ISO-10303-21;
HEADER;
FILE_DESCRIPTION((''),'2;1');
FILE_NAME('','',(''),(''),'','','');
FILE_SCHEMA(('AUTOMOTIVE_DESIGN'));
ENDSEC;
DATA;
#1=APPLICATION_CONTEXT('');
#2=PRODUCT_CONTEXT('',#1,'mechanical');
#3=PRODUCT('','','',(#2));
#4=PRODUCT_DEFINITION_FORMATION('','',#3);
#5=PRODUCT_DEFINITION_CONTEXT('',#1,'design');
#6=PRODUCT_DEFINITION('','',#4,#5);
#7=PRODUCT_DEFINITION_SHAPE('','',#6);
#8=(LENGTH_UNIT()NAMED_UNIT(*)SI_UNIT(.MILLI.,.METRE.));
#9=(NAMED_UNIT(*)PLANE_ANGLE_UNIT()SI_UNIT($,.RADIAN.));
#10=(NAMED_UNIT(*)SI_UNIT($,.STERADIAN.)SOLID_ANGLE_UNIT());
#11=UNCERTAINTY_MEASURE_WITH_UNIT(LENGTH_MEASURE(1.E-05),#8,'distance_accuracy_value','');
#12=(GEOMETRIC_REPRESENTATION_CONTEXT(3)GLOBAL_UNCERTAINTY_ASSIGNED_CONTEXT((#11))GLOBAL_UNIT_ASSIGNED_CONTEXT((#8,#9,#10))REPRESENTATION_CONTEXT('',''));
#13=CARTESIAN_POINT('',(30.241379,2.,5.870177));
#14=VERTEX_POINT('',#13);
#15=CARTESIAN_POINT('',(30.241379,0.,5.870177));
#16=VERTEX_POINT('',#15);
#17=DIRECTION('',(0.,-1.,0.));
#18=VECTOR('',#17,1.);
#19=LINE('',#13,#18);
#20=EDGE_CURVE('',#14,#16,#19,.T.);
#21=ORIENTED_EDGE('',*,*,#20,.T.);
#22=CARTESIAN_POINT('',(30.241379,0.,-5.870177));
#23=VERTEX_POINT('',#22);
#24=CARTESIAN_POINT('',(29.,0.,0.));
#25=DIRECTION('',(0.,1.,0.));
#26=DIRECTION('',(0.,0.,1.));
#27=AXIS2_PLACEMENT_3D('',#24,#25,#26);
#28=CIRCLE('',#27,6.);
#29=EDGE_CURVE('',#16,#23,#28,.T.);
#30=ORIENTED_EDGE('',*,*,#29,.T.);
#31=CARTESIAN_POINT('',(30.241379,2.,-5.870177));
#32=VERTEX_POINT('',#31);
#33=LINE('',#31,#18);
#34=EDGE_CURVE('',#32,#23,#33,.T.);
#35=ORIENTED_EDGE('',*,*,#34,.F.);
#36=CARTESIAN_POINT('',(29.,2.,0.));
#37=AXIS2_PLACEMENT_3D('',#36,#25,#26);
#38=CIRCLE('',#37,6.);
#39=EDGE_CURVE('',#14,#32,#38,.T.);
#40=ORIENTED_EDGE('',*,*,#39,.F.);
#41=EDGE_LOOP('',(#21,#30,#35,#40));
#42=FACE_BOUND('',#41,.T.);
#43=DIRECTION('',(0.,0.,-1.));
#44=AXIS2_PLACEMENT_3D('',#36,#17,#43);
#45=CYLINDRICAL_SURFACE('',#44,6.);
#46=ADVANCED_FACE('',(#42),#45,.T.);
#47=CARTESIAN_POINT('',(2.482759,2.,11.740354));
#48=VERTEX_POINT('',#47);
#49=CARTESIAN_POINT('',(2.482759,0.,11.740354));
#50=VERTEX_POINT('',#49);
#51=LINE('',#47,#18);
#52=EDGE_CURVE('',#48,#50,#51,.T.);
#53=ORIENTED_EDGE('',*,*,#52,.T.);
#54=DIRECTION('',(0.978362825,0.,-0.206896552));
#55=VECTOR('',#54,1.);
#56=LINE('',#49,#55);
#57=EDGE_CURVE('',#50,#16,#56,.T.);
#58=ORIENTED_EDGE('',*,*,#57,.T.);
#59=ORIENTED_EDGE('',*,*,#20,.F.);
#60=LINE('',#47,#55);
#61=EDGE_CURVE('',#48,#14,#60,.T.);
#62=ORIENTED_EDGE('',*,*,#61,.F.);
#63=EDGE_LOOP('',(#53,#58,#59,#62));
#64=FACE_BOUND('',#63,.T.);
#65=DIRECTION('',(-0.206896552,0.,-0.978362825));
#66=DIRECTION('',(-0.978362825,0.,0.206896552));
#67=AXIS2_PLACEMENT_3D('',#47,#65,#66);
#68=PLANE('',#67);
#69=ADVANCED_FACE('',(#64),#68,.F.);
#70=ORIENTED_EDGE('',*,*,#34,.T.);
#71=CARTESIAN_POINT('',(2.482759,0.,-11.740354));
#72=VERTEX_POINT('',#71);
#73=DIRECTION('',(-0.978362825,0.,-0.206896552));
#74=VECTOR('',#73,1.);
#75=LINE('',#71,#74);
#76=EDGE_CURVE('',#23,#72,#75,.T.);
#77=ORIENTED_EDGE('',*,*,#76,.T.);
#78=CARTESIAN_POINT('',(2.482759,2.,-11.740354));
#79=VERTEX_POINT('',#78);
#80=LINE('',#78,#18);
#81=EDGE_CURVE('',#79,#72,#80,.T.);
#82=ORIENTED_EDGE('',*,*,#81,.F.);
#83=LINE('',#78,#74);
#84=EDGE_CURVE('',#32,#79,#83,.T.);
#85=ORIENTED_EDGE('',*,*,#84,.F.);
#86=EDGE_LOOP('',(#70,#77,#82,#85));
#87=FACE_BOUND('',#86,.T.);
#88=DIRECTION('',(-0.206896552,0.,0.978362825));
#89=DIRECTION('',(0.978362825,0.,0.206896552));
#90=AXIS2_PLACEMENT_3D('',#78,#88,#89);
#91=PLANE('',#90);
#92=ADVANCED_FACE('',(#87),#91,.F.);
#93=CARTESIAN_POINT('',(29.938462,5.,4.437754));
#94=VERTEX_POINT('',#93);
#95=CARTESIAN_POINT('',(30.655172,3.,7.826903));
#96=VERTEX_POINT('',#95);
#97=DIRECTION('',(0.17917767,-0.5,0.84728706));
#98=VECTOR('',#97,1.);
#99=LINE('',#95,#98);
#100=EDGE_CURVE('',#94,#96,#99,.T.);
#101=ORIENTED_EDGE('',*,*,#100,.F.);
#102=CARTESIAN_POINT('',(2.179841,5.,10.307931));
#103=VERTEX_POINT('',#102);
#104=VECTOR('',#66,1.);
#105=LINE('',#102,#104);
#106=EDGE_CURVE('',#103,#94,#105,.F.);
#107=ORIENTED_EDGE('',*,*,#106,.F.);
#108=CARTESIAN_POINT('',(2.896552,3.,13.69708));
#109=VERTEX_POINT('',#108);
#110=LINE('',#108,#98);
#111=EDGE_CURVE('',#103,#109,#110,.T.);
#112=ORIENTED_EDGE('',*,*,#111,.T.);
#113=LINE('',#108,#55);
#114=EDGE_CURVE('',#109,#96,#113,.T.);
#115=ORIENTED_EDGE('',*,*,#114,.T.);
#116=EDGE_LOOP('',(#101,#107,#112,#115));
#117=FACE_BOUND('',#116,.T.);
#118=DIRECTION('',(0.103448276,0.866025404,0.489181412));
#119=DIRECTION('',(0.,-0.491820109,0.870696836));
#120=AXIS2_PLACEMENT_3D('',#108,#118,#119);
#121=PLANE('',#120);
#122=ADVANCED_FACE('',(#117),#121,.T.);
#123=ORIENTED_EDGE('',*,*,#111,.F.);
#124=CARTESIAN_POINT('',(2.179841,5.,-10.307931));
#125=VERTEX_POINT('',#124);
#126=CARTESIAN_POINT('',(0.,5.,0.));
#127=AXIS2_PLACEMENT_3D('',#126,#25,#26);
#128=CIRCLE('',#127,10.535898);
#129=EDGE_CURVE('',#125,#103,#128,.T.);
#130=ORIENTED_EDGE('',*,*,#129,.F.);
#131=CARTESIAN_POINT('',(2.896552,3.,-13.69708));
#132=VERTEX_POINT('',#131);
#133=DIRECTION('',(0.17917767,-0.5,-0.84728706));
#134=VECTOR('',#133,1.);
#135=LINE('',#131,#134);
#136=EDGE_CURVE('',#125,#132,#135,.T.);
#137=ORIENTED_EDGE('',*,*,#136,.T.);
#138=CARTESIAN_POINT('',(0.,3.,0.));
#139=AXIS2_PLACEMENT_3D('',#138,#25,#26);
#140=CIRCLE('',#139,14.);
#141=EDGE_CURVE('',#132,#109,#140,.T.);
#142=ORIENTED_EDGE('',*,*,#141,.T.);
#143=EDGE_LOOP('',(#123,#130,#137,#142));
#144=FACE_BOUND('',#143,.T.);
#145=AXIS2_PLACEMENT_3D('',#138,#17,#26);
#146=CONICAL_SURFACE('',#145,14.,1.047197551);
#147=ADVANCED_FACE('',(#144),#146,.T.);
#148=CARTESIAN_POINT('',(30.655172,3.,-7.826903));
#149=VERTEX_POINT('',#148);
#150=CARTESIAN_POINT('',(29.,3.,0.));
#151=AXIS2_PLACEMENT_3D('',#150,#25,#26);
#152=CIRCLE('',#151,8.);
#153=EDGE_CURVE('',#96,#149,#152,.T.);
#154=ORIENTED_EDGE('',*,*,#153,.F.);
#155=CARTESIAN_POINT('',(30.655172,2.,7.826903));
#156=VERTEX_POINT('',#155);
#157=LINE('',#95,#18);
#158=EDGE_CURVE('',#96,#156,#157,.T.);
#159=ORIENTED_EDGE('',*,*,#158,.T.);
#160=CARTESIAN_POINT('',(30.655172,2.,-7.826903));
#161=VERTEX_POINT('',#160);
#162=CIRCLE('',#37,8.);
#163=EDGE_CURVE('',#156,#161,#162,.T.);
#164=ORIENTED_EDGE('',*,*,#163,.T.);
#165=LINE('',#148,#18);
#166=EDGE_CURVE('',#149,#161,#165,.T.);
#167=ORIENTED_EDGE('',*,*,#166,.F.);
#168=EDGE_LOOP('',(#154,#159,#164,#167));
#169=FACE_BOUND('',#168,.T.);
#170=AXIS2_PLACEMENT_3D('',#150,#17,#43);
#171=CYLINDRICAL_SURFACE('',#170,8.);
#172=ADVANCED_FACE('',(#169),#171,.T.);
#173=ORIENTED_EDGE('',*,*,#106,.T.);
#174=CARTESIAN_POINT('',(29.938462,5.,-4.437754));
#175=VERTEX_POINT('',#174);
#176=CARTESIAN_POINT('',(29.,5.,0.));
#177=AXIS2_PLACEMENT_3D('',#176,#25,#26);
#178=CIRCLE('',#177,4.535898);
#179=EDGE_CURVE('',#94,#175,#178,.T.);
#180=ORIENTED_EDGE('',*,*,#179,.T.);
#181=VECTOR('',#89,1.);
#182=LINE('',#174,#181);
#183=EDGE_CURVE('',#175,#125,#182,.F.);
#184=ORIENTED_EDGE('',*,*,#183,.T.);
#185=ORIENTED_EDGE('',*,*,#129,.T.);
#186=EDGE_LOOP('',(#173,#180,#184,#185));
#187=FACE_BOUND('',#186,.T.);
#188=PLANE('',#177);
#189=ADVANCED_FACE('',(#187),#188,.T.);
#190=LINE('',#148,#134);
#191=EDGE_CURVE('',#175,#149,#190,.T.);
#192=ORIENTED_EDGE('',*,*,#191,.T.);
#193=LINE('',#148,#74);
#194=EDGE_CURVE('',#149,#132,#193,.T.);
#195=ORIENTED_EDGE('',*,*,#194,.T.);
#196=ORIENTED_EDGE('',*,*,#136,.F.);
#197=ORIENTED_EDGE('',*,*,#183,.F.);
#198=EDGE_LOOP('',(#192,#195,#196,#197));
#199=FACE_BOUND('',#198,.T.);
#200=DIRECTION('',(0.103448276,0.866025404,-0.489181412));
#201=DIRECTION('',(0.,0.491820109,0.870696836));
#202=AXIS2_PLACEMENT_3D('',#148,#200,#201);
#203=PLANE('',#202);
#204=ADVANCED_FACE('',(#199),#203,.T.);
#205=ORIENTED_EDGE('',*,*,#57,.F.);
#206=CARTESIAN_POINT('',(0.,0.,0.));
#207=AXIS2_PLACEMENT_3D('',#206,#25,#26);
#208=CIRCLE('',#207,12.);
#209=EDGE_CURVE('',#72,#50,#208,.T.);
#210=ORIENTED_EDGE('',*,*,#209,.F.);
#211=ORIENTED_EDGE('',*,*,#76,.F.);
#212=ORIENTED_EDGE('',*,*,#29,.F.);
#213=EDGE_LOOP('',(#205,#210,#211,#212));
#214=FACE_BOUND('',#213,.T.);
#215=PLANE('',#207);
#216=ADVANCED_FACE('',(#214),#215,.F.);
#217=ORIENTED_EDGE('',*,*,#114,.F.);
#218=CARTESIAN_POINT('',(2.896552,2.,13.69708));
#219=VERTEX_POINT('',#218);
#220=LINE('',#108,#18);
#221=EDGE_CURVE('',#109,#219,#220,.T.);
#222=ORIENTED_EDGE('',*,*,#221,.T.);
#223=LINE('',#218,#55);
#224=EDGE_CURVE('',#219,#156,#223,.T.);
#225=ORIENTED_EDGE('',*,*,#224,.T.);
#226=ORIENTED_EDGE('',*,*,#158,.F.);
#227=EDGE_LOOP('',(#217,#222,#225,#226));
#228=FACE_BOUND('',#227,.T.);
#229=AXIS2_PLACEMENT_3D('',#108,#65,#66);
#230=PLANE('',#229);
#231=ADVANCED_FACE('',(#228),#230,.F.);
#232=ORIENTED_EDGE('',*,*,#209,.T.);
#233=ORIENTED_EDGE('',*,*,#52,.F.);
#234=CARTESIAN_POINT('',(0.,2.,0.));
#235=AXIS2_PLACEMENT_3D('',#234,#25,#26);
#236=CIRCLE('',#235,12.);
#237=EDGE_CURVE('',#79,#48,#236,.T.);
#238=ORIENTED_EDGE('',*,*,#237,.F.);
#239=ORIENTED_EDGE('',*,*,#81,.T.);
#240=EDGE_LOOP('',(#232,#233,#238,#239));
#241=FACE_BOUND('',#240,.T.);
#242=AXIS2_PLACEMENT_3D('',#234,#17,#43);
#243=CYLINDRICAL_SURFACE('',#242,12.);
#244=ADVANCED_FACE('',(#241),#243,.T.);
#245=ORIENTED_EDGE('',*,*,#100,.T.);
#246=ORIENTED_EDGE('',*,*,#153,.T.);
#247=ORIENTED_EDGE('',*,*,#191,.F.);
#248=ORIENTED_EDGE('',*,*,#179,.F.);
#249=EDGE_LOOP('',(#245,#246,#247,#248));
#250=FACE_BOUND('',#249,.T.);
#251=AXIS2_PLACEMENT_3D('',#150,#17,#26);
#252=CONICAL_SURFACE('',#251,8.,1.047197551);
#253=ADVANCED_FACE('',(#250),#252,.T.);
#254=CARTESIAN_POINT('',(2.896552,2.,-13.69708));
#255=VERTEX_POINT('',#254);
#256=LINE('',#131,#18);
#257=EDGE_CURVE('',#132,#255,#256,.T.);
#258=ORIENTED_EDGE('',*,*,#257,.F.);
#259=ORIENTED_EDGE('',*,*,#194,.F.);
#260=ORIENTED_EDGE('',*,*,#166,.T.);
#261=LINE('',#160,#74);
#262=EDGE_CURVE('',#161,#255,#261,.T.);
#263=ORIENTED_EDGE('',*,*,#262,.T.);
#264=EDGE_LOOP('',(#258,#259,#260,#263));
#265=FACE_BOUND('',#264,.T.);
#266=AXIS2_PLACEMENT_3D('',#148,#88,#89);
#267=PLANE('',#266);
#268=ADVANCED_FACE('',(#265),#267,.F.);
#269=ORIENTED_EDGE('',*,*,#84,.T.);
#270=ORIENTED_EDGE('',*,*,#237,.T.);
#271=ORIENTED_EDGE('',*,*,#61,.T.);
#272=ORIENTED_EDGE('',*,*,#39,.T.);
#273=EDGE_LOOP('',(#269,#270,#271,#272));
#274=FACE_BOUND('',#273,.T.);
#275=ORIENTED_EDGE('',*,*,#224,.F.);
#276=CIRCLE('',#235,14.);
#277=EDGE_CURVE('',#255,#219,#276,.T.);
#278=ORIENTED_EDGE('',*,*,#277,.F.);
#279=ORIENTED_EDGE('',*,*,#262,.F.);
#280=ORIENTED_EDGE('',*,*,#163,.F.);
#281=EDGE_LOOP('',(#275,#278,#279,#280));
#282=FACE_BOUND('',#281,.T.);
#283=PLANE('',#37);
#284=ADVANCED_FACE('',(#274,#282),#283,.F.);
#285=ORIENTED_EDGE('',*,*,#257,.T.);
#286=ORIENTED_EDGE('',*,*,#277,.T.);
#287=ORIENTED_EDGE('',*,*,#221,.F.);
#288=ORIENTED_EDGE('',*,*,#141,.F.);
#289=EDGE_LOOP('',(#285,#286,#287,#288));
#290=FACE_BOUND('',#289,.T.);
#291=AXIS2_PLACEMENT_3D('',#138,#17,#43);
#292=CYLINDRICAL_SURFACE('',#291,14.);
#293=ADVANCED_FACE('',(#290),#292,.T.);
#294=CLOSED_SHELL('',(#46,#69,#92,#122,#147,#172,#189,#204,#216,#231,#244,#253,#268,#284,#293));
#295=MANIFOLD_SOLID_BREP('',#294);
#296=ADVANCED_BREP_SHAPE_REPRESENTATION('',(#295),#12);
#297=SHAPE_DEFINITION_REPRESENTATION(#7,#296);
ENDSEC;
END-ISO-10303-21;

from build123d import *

# Parameters (mm, degrees)
BOSS_EXTRUDE1_DEPTH = 2
BOSS_EXTRUDE2_DEPTH = 1
BOSS_EXTRUDE3_DEPTH = 2
BOSS_EXTRUDE3_TAPER = 60


with BuildPart() as part:
    # Sketch1 → Boss-Extrude1 (new body)
    with BuildSketch(Plane(origin=(0, 0, 0), x_dir=(1, 0, 0), z_dir=(0, 1, 0))):
        with BuildLine():
            Line((2.482758621, 11.740353897), (30.24137931, 5.870176949))
            ThreePointArc((30.24137931, 5.870176949), (35, 0), (30.24137931, -5.870176949))
            Line((30.24137931, -5.870176949), (2.482758621, -11.740353897))
            ThreePointArc((2.482758621, -11.740353897), (-12, 0), (2.482758621, 11.740353897))
        make_face()
    extrude(amount=BOSS_EXTRUDE1_DEPTH)

    # Sketch2 → Boss-Extrude2 (add)
    with BuildSketch(Plane(origin=(0, 2, 0), x_dir=(1, 0, 0), z_dir=(0, 1, 0))):
        with BuildLine():
            Line((30.655172414, 7.826902598), (2.896551724, 13.697079547))
            ThreePointArc((2.896551724, 13.697079547), (-14, 0), (2.896551724, -13.697079547))
            Line((2.896551724, -13.697079547), (30.655172414, -7.826902598))
            ThreePointArc((30.655172414, -7.826902598), (37, 0), (30.655172414, 7.826902598))
        make_face()
    extrude(amount=BOSS_EXTRUDE2_DEPTH)

    # Sketch3 → Boss-Extrude3 (add)
    with BuildSketch(Plane(origin=(0, 3, 0), x_dir=(1, 0, 0), z_dir=(0, 1, 0))):
        with BuildLine():
            Line((30.655172414, 7.826902598), (2.896551724, 13.697079547))
            ThreePointArc((2.896551724, 13.697079547), (-14, 0), (2.896551724, -13.697079547))
            Line((2.896551724, -13.697079547), (30.655172414, -7.826902598))
            ThreePointArc((30.655172414, -7.826902598), (37, 0), (30.655172414, 7.826902598))
        make_face()
    extrude(amount=BOSS_EXTRUDE3_DEPTH, taper=BOSS_EXTRUDE3_TAPER)


solid = part.part
